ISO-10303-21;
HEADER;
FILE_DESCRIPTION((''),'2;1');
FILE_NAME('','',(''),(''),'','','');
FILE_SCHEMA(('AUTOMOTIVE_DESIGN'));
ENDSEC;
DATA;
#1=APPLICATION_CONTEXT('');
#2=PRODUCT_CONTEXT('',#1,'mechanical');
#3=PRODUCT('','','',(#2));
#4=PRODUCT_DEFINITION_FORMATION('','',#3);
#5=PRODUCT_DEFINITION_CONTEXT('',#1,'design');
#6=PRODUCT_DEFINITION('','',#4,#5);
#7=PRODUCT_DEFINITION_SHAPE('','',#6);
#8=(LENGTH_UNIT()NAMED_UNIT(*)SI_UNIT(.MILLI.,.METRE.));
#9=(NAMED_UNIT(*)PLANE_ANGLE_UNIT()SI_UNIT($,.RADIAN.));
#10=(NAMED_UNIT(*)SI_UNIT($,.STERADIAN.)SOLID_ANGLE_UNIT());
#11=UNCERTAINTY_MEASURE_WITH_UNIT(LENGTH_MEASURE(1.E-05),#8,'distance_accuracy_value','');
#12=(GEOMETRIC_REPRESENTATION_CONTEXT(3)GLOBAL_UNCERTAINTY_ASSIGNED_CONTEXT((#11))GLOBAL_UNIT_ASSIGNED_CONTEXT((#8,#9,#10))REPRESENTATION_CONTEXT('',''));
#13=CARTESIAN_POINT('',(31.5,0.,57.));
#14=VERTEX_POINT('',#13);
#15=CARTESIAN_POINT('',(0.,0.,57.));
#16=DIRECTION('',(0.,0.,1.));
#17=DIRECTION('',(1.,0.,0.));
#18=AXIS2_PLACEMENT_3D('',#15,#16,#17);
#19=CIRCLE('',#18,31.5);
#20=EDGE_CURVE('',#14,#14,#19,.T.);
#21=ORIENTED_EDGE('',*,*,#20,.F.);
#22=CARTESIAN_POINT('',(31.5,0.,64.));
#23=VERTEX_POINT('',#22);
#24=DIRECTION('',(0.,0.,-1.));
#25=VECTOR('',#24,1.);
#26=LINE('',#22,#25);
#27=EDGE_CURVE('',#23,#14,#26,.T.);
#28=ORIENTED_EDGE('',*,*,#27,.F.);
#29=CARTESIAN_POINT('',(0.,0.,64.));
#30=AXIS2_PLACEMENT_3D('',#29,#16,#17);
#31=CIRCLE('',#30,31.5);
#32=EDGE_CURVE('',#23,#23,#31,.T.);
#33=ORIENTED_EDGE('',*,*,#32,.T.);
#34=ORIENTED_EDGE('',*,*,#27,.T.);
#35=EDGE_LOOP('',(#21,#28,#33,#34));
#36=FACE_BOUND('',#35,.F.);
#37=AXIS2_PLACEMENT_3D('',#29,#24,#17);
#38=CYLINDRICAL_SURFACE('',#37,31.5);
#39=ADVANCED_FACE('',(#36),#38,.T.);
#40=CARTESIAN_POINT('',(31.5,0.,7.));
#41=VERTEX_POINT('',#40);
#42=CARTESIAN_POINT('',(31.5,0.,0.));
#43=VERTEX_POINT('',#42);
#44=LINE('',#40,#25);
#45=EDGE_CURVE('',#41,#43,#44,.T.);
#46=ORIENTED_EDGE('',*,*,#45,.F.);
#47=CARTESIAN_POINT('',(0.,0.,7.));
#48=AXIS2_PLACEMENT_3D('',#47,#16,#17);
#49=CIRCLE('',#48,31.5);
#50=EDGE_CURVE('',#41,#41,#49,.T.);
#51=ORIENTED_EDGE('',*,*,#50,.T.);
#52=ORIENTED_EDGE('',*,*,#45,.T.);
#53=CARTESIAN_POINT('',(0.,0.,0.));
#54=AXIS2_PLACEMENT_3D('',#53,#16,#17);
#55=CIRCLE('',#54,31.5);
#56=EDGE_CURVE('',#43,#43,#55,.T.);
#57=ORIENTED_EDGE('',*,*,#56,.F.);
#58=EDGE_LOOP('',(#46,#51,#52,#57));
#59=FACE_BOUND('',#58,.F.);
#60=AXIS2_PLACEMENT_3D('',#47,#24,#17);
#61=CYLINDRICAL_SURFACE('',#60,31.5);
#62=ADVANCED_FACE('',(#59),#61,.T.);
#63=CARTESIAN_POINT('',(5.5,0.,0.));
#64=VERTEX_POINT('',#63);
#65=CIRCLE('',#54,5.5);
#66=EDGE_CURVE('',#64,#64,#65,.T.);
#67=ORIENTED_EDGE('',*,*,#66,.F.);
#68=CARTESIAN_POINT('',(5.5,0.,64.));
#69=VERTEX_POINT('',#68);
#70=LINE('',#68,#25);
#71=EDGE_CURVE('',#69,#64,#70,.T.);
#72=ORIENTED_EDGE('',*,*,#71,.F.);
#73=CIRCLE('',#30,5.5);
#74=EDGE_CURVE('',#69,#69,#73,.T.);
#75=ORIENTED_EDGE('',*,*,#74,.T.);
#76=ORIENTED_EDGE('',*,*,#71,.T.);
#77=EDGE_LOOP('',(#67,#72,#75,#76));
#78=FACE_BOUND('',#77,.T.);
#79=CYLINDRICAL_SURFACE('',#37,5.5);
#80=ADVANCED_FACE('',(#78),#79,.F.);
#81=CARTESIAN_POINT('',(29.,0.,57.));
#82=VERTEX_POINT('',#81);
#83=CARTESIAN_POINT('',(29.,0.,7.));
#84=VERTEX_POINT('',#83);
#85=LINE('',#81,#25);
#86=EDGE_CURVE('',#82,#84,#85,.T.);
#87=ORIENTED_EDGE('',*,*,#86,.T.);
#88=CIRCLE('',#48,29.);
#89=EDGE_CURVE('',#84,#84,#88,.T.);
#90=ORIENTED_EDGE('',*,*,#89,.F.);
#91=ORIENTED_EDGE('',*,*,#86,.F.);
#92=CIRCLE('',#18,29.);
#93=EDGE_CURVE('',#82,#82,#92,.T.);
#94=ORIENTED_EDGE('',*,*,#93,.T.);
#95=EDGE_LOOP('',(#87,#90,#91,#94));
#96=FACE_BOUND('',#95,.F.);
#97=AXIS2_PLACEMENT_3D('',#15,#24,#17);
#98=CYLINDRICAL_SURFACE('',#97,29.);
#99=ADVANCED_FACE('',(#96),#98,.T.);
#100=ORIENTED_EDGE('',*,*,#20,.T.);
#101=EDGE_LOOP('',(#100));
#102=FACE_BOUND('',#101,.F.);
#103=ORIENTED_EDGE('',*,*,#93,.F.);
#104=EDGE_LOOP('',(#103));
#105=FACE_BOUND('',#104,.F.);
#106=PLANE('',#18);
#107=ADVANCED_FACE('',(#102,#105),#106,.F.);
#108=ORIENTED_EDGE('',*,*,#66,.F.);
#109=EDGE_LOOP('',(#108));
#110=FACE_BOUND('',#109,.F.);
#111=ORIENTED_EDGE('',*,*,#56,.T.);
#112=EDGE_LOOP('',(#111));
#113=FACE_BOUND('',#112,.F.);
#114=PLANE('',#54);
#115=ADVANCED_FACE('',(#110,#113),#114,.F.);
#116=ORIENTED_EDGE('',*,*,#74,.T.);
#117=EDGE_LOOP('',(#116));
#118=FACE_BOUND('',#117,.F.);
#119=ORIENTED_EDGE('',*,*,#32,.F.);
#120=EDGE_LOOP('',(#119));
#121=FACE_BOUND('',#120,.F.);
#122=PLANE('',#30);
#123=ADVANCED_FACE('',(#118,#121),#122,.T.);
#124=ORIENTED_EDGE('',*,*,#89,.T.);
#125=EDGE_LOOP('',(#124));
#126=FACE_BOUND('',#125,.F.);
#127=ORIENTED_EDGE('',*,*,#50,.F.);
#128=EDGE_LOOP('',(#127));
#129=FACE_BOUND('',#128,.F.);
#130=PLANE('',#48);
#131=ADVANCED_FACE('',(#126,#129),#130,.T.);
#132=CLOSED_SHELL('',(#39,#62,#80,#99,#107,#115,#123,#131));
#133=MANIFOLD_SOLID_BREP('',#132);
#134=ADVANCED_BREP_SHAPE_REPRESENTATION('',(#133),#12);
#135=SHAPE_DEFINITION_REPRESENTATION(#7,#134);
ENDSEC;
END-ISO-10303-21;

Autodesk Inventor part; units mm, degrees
ref_plane "YZ Plane" through (0, 0, 0) normal (1, 0, 0) x (0, 1, 0)
ref_plane "XZ Plane" through (0, 0, 0) normal (0, 1, 0) x (-1, 0, 0)
ref_plane "XY Plane" through (0, 0, 0) normal (0, 0, 1) x (1, 0, 0)
sketch "Skizze2" plane through (0, 0, 0) normal (0, 1, 0) x (-1, 0, 0)
  line L0 (-5.5, 64) -> (-31.5, 64)
  line L1 (-31.5, 64) -> (-31.5, 57)
  line L2 (-31.5, 57) -> (-29, 57)
  line L3 (-29, 57) -> (-29, 7)
  line L4 (-29, 7) -> (-31.5, 7)
  line L5 (-31.5, 7) -> (-31.5, 0)
  line L6 (-31.5, 0) -> (-5.5, 0)
  line L7 (0, 32) -> (-29, 32) construction
  line L8 (0, 0) -> (0, 64)
  line L9 (-5.5, 64) -> (-5.5, 0)
  point P0 (-5.5, 32)
  dimension "d3" = 7
  dimension "d4" = 64
  dimension "d5" = 11
  dimension "d6" = 63
  dimension "d7" = 58
revolve "Umdrehung1" add sketch "Skizze2" angle 360 about axis through (0, 0, 0) along (0, 0, 1)
properties part number "Kupferspule 500g" material "PC/ABS-Kunststoff"
